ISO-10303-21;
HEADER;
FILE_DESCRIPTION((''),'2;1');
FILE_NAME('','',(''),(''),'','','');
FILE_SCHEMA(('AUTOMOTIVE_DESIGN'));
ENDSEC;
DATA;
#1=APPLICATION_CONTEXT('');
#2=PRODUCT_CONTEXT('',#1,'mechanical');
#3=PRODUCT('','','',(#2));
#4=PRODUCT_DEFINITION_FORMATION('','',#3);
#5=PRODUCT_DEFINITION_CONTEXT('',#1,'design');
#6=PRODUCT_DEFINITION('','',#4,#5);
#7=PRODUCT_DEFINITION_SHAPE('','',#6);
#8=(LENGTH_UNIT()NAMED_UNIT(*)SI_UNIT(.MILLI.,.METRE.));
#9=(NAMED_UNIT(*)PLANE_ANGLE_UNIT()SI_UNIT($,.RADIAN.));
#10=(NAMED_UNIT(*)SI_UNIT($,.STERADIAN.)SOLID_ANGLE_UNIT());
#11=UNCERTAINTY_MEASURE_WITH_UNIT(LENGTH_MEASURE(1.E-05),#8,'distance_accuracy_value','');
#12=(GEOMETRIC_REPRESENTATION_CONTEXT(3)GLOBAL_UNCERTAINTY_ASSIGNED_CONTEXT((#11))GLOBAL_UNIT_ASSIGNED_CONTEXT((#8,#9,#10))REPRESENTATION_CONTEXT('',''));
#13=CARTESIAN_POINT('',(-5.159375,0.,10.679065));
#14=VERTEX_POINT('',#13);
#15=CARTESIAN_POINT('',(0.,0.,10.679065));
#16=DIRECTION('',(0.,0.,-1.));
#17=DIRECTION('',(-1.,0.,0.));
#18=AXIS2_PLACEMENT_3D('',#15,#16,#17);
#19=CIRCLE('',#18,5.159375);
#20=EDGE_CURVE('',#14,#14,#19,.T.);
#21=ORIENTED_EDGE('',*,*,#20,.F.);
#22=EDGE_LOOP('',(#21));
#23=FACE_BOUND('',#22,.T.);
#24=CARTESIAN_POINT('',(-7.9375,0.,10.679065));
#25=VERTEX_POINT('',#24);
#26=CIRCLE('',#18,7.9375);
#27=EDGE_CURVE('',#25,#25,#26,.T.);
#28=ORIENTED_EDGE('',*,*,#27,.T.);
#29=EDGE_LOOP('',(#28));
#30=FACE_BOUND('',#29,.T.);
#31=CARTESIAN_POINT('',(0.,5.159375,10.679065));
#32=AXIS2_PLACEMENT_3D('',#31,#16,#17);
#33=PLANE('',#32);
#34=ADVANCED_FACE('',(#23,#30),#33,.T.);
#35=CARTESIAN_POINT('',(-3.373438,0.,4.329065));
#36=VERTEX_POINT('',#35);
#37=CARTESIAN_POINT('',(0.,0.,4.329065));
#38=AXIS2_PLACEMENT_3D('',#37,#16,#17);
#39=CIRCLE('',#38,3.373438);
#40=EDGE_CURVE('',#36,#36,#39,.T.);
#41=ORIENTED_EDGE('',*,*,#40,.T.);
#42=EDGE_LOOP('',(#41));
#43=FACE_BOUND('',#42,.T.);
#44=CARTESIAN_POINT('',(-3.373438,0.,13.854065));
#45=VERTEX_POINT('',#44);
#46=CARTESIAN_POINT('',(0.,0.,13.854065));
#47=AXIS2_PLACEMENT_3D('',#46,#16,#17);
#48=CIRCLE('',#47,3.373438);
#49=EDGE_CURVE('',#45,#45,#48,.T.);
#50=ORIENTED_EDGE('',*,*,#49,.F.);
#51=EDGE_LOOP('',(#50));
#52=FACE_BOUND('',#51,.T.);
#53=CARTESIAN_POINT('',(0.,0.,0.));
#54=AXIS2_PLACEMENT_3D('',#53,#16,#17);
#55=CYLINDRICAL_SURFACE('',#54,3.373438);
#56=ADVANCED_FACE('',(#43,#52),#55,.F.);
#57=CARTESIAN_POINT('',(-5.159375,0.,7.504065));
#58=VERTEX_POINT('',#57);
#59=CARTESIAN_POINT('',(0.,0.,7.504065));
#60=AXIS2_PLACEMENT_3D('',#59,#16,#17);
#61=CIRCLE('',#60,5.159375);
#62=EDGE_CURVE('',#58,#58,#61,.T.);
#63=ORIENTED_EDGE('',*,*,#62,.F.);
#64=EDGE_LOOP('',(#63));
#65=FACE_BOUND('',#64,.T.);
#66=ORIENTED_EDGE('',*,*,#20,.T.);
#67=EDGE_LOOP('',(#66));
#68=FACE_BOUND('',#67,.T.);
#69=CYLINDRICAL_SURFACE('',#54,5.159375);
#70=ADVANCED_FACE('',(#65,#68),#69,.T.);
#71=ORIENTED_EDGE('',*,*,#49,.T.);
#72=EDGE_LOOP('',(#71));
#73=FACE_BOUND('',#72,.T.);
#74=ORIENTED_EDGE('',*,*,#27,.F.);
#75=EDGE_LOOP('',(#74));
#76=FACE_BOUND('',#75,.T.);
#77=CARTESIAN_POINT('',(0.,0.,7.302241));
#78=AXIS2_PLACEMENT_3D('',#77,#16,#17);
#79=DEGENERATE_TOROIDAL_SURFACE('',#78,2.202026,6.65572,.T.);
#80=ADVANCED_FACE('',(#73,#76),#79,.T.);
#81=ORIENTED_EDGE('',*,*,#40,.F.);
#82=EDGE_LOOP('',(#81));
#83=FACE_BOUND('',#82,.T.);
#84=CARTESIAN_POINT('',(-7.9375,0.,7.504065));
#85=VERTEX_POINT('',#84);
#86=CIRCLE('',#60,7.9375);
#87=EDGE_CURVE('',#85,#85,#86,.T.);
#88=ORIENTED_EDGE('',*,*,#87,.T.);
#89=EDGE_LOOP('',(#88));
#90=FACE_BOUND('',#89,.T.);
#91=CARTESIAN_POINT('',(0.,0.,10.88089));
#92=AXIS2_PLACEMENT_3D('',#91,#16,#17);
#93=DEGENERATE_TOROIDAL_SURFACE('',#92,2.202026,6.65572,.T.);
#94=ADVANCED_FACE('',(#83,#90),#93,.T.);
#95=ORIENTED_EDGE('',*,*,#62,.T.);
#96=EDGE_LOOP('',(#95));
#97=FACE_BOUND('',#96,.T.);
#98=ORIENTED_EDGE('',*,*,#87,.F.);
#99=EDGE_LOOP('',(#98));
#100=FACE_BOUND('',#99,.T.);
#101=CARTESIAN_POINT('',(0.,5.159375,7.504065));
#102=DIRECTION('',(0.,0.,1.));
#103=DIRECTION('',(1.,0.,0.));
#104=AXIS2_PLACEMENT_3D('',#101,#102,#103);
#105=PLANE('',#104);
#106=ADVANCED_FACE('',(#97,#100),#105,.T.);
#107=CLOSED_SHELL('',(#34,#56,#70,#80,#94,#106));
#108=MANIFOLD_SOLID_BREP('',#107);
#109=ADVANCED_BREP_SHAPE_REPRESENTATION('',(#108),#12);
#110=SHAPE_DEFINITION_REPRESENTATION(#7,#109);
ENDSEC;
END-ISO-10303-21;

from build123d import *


with BuildPart() as part:
    # Эскиз1 → Повернуть1 (revolve)
    with BuildSketch(Plane(origin=(0, 0, 0), x_dir=(0, 0, -1), z_dir=(1, 0, 0)), mode=Mode.PRIVATE) as revolve_1_sk:
        with BuildLine():
            Line((-4.329065482, 3.3734375), (-13.854065482, 3.3734375))
            ThreePointArc((-13.854065482, 3.3734375), (-12.765956247, 6.002871022), (-10.679065482, 7.9375))
            Line((-10.679065482, 7.9375), (-10.679065482, 5.159375))
            Line((-10.679065482, 5.159375), (-7.504065482, 5.159375))
            Line((-7.504065482, 5.159375), (-7.504065482, 7.9375))
            ThreePointArc((-7.504065482, 7.9375), (-5.417174717, 6.002871022), (-4.329065482, 3.3734375))
        make_face()
    revolve(revolve_1_sk.sketch.rotate(Axis((0, 0, 0), (0, 0, 1)), 90), axis=Axis((0, 0, 0), (0, 0, 1)))


solid = part.part
